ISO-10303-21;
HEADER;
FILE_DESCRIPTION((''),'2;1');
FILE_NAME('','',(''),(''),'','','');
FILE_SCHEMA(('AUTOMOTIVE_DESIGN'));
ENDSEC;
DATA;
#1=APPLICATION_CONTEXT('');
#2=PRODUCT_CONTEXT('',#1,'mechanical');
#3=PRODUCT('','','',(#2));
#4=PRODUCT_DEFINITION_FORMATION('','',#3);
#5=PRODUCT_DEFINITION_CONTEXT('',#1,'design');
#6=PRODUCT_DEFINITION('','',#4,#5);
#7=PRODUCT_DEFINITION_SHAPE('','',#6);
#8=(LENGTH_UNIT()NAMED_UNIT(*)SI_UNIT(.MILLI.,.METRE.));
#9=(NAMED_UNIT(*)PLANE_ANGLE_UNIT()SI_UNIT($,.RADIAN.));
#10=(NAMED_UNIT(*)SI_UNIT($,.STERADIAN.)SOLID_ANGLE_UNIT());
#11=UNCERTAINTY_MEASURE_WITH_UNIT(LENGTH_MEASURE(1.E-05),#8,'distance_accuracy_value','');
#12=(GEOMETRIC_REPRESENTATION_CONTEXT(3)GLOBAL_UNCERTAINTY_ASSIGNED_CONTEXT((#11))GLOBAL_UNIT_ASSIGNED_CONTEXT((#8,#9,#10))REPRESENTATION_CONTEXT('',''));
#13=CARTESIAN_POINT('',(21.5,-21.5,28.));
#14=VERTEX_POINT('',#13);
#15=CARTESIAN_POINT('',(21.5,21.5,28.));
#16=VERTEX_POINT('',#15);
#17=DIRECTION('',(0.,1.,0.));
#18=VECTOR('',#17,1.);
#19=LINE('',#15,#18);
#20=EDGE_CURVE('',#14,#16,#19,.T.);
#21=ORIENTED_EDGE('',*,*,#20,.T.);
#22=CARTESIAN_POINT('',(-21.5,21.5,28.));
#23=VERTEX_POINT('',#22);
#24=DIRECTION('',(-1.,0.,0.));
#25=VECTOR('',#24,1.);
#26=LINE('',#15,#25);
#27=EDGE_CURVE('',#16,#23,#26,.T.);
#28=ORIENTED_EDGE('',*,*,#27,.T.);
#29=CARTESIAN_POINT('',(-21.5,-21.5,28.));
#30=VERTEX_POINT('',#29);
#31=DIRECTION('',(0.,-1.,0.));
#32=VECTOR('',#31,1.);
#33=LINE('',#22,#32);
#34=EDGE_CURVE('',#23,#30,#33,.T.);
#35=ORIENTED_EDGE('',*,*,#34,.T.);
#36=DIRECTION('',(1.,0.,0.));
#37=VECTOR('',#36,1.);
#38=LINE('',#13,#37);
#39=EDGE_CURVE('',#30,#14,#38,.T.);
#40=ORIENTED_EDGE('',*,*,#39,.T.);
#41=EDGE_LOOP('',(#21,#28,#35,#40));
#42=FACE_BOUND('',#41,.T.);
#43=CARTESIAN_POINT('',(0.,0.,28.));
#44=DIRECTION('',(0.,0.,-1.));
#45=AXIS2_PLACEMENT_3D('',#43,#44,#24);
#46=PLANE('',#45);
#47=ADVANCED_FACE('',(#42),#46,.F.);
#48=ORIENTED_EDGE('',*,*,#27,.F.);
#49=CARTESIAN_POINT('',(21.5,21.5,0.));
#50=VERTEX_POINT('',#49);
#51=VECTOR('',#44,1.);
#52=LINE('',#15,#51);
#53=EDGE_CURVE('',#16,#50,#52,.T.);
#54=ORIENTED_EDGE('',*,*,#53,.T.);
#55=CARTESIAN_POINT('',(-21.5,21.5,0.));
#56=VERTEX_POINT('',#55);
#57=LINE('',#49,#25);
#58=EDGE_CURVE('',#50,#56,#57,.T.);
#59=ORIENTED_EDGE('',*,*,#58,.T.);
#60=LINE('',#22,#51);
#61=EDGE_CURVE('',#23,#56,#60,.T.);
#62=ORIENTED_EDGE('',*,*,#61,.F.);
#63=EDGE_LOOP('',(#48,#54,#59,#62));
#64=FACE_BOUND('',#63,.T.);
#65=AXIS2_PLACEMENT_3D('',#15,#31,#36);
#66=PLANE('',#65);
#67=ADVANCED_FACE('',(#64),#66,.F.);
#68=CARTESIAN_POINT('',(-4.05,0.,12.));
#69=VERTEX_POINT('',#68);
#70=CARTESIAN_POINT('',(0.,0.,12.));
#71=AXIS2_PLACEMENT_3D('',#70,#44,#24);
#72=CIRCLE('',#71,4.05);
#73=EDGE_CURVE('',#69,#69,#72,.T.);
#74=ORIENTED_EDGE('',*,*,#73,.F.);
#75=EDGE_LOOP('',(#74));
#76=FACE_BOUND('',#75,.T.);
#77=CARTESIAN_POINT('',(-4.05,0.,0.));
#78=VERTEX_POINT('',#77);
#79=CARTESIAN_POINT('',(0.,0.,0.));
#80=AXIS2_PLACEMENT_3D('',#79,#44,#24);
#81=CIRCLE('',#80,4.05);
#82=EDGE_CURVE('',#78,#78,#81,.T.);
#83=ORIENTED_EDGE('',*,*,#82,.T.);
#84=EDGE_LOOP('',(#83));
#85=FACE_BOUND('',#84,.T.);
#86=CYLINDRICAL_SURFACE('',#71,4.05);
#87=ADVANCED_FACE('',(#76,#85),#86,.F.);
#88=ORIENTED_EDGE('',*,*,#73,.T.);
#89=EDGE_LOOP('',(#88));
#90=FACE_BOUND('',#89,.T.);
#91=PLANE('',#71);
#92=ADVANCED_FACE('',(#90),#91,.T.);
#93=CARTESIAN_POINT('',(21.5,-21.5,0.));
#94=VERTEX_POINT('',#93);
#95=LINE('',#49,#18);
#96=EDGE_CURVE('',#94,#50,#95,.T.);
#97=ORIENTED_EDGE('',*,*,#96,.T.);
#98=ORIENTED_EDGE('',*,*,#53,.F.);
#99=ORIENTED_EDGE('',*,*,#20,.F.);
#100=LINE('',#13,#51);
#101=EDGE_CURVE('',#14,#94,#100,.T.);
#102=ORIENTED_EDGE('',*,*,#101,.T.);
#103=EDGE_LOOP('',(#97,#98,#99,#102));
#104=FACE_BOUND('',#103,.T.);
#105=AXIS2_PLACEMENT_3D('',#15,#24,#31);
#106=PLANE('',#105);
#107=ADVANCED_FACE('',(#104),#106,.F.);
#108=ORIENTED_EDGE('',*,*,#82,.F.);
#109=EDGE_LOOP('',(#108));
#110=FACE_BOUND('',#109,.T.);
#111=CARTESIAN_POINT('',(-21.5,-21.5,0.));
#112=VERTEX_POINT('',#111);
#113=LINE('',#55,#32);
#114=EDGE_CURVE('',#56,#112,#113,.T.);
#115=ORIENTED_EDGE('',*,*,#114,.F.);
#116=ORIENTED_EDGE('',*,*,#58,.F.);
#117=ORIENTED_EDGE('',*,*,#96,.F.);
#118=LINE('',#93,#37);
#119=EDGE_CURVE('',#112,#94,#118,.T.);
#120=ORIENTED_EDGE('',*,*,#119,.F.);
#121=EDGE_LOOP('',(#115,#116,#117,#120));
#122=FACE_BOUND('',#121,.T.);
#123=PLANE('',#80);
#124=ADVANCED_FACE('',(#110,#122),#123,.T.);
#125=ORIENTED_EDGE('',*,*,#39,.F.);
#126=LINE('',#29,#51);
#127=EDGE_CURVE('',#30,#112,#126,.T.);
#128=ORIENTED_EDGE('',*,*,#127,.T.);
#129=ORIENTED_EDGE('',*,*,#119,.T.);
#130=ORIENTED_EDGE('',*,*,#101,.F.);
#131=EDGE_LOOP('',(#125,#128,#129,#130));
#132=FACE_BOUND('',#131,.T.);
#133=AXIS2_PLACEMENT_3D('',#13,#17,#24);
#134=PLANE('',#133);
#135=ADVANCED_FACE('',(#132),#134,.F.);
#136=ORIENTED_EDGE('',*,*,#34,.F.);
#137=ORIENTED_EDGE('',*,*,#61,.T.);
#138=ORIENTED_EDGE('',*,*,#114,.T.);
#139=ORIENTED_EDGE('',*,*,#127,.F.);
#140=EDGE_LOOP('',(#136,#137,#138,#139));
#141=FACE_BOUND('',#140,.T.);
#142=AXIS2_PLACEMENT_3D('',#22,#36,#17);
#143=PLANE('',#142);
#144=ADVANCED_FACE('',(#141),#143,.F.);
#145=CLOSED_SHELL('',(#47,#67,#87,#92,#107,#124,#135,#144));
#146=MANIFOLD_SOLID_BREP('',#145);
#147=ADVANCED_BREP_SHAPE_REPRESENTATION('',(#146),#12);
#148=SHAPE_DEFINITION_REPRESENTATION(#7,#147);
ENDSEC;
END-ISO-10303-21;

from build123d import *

# Parameters (mm, degrees)
SKETCH_1_W          = 43
SKETCH_1_H          = 43
EXTRUDE_1_DEPTH     = 28
SKETCH_2_R          = 4.05
CUT_EXTRUDE_1_DEPTH = 12


with BuildPart() as part:
    # Эскиз1 → Бобышка-Вытянуть1 (new body)
    with BuildSketch(Plane.XY):
        Rectangle(SKETCH_1_W, SKETCH_1_H)
    extrude(amount=EXTRUDE_1_DEPTH)

    # Эскиз2 → Вырез-Вытянуть1 (cut)
    with BuildSketch(Plane(origin=(0, 0, 0), x_dir=(-1, 0, 0), z_dir=(0, 0, -1))):
        Circle(SKETCH_2_R)
    extrude(amount=-CUT_EXTRUDE_1_DEPTH, mode=Mode.SUBTRACT)


solid = part.part
